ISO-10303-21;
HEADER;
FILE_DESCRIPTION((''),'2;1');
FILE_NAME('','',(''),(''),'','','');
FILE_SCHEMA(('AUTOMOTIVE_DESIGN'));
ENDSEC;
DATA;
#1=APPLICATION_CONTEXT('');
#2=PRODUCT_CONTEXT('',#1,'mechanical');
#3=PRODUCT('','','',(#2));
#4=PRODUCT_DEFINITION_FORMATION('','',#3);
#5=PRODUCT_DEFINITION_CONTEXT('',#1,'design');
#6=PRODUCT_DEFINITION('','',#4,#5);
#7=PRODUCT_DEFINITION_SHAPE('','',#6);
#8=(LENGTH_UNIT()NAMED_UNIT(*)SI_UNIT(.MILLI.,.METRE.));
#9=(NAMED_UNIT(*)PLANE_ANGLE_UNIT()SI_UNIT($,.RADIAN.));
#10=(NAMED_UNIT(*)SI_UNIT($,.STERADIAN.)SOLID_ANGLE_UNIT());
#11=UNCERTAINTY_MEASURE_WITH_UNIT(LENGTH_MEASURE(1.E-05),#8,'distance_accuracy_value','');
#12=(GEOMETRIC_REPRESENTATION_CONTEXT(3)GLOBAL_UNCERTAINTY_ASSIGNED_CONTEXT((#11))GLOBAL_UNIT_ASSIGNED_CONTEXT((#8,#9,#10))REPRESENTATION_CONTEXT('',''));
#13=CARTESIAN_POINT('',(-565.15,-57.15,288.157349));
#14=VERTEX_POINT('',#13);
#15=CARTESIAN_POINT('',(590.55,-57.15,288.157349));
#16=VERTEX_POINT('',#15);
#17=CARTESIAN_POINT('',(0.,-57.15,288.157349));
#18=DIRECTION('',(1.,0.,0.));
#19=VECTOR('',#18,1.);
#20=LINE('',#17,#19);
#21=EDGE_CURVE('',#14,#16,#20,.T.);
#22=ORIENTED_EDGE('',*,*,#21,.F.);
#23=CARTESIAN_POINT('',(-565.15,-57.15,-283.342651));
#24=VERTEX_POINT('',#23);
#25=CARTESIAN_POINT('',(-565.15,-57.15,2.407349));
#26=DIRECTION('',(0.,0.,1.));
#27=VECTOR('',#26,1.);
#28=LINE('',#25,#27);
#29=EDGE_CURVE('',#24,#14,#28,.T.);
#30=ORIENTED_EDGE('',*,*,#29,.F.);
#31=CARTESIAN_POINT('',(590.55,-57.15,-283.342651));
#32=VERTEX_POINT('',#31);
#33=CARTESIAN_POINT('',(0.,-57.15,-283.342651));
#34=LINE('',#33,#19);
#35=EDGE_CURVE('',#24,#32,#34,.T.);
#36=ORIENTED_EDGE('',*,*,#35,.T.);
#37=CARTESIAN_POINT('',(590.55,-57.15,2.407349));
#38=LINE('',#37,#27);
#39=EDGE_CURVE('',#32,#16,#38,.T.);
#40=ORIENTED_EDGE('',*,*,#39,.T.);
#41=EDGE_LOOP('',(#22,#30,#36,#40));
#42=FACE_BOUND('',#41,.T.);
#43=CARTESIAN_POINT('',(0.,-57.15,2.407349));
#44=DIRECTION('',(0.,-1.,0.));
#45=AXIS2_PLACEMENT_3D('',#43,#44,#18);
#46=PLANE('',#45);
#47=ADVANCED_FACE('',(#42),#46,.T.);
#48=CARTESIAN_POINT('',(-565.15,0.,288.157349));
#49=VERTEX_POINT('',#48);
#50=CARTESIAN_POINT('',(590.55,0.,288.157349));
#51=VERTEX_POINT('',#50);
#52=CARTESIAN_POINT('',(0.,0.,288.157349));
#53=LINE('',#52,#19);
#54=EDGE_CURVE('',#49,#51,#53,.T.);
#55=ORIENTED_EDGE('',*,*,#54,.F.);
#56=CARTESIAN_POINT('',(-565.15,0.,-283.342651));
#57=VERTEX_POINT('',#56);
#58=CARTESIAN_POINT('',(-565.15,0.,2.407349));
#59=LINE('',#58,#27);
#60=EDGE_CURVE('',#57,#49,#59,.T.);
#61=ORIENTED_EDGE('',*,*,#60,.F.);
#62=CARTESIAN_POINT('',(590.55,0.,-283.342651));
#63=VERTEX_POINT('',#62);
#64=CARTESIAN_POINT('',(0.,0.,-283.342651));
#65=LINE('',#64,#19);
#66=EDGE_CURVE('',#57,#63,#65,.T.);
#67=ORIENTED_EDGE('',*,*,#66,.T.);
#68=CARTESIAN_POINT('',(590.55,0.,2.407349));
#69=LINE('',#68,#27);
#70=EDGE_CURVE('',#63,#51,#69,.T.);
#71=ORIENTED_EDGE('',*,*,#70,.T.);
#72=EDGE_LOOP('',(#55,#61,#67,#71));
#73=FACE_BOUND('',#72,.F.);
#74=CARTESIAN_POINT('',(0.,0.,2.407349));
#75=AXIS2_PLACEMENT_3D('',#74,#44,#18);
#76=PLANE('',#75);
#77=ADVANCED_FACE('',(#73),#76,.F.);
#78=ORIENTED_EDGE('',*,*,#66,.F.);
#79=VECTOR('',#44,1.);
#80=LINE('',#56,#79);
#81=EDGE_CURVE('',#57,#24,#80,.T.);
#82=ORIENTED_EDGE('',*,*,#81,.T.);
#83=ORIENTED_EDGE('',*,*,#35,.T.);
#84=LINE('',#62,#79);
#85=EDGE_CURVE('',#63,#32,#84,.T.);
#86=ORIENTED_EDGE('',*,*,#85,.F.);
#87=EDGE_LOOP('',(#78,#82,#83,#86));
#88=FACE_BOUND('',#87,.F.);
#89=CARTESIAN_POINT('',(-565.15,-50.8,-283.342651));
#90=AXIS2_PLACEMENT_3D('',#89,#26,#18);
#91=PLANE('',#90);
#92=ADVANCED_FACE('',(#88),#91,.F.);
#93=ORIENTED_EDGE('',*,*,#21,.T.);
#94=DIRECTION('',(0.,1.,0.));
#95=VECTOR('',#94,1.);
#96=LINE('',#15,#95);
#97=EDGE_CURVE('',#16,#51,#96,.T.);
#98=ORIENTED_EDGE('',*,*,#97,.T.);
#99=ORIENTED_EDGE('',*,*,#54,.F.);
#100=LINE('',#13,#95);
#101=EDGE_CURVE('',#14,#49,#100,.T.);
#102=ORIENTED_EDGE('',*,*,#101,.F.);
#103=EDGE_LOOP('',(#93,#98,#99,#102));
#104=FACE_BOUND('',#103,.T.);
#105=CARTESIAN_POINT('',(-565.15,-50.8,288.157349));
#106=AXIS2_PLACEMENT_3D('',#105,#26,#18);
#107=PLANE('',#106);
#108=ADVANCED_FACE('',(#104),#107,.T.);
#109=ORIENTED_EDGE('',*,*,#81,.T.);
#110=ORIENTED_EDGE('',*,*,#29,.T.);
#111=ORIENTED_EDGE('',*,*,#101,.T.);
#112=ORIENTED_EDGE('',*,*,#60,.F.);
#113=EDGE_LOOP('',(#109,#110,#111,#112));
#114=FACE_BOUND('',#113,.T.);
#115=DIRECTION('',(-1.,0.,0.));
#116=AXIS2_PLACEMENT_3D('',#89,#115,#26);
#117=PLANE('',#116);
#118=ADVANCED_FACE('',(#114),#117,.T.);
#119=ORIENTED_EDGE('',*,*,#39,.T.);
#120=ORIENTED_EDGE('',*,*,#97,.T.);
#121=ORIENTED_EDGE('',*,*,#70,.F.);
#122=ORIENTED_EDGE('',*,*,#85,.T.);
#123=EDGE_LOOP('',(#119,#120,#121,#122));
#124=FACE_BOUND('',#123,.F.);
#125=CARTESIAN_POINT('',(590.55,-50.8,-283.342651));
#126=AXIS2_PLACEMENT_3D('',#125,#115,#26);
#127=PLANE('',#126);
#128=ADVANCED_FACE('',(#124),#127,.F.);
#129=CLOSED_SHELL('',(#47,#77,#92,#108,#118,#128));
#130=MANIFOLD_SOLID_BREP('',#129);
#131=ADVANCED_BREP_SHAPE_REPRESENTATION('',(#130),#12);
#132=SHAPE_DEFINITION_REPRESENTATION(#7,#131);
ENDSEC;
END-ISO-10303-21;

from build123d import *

# Parameters (mm, degrees)
F0_W     = 1181.1
F0_H     = 571.5
F1_DEPTH = 50.8
F2_DEPTH = 25.4
F3_DEPTH = 6.35


with BuildPart() as f1:
    # F0 (on Front) → F1 (new body)
    with BuildSketch(Plane.XZ):
        with Locations((0, 2.4073491804)):
            Rectangle(F0_W, F0_H)
    extrude(amount=F1_DEPTH)

    # F2 (cut): a face of the model
    f2_faces = [f1.faces().sort_by_distance(p)[0] for p in [
        (-590.55, -25.4, 2.4073491804),
    ]]
    extrude(f2_faces, amount=-F2_DEPTH, mode=Mode.SUBTRACT)

    # F3 (add): a face of the model
    f3_faces = [f1.faces().sort_by_distance(p)[0] for p in [
        (12.7, -50.8, 2.4073491804),
    ]]
    extrude(f3_faces, amount=F3_DEPTH)


solid = f1.part
